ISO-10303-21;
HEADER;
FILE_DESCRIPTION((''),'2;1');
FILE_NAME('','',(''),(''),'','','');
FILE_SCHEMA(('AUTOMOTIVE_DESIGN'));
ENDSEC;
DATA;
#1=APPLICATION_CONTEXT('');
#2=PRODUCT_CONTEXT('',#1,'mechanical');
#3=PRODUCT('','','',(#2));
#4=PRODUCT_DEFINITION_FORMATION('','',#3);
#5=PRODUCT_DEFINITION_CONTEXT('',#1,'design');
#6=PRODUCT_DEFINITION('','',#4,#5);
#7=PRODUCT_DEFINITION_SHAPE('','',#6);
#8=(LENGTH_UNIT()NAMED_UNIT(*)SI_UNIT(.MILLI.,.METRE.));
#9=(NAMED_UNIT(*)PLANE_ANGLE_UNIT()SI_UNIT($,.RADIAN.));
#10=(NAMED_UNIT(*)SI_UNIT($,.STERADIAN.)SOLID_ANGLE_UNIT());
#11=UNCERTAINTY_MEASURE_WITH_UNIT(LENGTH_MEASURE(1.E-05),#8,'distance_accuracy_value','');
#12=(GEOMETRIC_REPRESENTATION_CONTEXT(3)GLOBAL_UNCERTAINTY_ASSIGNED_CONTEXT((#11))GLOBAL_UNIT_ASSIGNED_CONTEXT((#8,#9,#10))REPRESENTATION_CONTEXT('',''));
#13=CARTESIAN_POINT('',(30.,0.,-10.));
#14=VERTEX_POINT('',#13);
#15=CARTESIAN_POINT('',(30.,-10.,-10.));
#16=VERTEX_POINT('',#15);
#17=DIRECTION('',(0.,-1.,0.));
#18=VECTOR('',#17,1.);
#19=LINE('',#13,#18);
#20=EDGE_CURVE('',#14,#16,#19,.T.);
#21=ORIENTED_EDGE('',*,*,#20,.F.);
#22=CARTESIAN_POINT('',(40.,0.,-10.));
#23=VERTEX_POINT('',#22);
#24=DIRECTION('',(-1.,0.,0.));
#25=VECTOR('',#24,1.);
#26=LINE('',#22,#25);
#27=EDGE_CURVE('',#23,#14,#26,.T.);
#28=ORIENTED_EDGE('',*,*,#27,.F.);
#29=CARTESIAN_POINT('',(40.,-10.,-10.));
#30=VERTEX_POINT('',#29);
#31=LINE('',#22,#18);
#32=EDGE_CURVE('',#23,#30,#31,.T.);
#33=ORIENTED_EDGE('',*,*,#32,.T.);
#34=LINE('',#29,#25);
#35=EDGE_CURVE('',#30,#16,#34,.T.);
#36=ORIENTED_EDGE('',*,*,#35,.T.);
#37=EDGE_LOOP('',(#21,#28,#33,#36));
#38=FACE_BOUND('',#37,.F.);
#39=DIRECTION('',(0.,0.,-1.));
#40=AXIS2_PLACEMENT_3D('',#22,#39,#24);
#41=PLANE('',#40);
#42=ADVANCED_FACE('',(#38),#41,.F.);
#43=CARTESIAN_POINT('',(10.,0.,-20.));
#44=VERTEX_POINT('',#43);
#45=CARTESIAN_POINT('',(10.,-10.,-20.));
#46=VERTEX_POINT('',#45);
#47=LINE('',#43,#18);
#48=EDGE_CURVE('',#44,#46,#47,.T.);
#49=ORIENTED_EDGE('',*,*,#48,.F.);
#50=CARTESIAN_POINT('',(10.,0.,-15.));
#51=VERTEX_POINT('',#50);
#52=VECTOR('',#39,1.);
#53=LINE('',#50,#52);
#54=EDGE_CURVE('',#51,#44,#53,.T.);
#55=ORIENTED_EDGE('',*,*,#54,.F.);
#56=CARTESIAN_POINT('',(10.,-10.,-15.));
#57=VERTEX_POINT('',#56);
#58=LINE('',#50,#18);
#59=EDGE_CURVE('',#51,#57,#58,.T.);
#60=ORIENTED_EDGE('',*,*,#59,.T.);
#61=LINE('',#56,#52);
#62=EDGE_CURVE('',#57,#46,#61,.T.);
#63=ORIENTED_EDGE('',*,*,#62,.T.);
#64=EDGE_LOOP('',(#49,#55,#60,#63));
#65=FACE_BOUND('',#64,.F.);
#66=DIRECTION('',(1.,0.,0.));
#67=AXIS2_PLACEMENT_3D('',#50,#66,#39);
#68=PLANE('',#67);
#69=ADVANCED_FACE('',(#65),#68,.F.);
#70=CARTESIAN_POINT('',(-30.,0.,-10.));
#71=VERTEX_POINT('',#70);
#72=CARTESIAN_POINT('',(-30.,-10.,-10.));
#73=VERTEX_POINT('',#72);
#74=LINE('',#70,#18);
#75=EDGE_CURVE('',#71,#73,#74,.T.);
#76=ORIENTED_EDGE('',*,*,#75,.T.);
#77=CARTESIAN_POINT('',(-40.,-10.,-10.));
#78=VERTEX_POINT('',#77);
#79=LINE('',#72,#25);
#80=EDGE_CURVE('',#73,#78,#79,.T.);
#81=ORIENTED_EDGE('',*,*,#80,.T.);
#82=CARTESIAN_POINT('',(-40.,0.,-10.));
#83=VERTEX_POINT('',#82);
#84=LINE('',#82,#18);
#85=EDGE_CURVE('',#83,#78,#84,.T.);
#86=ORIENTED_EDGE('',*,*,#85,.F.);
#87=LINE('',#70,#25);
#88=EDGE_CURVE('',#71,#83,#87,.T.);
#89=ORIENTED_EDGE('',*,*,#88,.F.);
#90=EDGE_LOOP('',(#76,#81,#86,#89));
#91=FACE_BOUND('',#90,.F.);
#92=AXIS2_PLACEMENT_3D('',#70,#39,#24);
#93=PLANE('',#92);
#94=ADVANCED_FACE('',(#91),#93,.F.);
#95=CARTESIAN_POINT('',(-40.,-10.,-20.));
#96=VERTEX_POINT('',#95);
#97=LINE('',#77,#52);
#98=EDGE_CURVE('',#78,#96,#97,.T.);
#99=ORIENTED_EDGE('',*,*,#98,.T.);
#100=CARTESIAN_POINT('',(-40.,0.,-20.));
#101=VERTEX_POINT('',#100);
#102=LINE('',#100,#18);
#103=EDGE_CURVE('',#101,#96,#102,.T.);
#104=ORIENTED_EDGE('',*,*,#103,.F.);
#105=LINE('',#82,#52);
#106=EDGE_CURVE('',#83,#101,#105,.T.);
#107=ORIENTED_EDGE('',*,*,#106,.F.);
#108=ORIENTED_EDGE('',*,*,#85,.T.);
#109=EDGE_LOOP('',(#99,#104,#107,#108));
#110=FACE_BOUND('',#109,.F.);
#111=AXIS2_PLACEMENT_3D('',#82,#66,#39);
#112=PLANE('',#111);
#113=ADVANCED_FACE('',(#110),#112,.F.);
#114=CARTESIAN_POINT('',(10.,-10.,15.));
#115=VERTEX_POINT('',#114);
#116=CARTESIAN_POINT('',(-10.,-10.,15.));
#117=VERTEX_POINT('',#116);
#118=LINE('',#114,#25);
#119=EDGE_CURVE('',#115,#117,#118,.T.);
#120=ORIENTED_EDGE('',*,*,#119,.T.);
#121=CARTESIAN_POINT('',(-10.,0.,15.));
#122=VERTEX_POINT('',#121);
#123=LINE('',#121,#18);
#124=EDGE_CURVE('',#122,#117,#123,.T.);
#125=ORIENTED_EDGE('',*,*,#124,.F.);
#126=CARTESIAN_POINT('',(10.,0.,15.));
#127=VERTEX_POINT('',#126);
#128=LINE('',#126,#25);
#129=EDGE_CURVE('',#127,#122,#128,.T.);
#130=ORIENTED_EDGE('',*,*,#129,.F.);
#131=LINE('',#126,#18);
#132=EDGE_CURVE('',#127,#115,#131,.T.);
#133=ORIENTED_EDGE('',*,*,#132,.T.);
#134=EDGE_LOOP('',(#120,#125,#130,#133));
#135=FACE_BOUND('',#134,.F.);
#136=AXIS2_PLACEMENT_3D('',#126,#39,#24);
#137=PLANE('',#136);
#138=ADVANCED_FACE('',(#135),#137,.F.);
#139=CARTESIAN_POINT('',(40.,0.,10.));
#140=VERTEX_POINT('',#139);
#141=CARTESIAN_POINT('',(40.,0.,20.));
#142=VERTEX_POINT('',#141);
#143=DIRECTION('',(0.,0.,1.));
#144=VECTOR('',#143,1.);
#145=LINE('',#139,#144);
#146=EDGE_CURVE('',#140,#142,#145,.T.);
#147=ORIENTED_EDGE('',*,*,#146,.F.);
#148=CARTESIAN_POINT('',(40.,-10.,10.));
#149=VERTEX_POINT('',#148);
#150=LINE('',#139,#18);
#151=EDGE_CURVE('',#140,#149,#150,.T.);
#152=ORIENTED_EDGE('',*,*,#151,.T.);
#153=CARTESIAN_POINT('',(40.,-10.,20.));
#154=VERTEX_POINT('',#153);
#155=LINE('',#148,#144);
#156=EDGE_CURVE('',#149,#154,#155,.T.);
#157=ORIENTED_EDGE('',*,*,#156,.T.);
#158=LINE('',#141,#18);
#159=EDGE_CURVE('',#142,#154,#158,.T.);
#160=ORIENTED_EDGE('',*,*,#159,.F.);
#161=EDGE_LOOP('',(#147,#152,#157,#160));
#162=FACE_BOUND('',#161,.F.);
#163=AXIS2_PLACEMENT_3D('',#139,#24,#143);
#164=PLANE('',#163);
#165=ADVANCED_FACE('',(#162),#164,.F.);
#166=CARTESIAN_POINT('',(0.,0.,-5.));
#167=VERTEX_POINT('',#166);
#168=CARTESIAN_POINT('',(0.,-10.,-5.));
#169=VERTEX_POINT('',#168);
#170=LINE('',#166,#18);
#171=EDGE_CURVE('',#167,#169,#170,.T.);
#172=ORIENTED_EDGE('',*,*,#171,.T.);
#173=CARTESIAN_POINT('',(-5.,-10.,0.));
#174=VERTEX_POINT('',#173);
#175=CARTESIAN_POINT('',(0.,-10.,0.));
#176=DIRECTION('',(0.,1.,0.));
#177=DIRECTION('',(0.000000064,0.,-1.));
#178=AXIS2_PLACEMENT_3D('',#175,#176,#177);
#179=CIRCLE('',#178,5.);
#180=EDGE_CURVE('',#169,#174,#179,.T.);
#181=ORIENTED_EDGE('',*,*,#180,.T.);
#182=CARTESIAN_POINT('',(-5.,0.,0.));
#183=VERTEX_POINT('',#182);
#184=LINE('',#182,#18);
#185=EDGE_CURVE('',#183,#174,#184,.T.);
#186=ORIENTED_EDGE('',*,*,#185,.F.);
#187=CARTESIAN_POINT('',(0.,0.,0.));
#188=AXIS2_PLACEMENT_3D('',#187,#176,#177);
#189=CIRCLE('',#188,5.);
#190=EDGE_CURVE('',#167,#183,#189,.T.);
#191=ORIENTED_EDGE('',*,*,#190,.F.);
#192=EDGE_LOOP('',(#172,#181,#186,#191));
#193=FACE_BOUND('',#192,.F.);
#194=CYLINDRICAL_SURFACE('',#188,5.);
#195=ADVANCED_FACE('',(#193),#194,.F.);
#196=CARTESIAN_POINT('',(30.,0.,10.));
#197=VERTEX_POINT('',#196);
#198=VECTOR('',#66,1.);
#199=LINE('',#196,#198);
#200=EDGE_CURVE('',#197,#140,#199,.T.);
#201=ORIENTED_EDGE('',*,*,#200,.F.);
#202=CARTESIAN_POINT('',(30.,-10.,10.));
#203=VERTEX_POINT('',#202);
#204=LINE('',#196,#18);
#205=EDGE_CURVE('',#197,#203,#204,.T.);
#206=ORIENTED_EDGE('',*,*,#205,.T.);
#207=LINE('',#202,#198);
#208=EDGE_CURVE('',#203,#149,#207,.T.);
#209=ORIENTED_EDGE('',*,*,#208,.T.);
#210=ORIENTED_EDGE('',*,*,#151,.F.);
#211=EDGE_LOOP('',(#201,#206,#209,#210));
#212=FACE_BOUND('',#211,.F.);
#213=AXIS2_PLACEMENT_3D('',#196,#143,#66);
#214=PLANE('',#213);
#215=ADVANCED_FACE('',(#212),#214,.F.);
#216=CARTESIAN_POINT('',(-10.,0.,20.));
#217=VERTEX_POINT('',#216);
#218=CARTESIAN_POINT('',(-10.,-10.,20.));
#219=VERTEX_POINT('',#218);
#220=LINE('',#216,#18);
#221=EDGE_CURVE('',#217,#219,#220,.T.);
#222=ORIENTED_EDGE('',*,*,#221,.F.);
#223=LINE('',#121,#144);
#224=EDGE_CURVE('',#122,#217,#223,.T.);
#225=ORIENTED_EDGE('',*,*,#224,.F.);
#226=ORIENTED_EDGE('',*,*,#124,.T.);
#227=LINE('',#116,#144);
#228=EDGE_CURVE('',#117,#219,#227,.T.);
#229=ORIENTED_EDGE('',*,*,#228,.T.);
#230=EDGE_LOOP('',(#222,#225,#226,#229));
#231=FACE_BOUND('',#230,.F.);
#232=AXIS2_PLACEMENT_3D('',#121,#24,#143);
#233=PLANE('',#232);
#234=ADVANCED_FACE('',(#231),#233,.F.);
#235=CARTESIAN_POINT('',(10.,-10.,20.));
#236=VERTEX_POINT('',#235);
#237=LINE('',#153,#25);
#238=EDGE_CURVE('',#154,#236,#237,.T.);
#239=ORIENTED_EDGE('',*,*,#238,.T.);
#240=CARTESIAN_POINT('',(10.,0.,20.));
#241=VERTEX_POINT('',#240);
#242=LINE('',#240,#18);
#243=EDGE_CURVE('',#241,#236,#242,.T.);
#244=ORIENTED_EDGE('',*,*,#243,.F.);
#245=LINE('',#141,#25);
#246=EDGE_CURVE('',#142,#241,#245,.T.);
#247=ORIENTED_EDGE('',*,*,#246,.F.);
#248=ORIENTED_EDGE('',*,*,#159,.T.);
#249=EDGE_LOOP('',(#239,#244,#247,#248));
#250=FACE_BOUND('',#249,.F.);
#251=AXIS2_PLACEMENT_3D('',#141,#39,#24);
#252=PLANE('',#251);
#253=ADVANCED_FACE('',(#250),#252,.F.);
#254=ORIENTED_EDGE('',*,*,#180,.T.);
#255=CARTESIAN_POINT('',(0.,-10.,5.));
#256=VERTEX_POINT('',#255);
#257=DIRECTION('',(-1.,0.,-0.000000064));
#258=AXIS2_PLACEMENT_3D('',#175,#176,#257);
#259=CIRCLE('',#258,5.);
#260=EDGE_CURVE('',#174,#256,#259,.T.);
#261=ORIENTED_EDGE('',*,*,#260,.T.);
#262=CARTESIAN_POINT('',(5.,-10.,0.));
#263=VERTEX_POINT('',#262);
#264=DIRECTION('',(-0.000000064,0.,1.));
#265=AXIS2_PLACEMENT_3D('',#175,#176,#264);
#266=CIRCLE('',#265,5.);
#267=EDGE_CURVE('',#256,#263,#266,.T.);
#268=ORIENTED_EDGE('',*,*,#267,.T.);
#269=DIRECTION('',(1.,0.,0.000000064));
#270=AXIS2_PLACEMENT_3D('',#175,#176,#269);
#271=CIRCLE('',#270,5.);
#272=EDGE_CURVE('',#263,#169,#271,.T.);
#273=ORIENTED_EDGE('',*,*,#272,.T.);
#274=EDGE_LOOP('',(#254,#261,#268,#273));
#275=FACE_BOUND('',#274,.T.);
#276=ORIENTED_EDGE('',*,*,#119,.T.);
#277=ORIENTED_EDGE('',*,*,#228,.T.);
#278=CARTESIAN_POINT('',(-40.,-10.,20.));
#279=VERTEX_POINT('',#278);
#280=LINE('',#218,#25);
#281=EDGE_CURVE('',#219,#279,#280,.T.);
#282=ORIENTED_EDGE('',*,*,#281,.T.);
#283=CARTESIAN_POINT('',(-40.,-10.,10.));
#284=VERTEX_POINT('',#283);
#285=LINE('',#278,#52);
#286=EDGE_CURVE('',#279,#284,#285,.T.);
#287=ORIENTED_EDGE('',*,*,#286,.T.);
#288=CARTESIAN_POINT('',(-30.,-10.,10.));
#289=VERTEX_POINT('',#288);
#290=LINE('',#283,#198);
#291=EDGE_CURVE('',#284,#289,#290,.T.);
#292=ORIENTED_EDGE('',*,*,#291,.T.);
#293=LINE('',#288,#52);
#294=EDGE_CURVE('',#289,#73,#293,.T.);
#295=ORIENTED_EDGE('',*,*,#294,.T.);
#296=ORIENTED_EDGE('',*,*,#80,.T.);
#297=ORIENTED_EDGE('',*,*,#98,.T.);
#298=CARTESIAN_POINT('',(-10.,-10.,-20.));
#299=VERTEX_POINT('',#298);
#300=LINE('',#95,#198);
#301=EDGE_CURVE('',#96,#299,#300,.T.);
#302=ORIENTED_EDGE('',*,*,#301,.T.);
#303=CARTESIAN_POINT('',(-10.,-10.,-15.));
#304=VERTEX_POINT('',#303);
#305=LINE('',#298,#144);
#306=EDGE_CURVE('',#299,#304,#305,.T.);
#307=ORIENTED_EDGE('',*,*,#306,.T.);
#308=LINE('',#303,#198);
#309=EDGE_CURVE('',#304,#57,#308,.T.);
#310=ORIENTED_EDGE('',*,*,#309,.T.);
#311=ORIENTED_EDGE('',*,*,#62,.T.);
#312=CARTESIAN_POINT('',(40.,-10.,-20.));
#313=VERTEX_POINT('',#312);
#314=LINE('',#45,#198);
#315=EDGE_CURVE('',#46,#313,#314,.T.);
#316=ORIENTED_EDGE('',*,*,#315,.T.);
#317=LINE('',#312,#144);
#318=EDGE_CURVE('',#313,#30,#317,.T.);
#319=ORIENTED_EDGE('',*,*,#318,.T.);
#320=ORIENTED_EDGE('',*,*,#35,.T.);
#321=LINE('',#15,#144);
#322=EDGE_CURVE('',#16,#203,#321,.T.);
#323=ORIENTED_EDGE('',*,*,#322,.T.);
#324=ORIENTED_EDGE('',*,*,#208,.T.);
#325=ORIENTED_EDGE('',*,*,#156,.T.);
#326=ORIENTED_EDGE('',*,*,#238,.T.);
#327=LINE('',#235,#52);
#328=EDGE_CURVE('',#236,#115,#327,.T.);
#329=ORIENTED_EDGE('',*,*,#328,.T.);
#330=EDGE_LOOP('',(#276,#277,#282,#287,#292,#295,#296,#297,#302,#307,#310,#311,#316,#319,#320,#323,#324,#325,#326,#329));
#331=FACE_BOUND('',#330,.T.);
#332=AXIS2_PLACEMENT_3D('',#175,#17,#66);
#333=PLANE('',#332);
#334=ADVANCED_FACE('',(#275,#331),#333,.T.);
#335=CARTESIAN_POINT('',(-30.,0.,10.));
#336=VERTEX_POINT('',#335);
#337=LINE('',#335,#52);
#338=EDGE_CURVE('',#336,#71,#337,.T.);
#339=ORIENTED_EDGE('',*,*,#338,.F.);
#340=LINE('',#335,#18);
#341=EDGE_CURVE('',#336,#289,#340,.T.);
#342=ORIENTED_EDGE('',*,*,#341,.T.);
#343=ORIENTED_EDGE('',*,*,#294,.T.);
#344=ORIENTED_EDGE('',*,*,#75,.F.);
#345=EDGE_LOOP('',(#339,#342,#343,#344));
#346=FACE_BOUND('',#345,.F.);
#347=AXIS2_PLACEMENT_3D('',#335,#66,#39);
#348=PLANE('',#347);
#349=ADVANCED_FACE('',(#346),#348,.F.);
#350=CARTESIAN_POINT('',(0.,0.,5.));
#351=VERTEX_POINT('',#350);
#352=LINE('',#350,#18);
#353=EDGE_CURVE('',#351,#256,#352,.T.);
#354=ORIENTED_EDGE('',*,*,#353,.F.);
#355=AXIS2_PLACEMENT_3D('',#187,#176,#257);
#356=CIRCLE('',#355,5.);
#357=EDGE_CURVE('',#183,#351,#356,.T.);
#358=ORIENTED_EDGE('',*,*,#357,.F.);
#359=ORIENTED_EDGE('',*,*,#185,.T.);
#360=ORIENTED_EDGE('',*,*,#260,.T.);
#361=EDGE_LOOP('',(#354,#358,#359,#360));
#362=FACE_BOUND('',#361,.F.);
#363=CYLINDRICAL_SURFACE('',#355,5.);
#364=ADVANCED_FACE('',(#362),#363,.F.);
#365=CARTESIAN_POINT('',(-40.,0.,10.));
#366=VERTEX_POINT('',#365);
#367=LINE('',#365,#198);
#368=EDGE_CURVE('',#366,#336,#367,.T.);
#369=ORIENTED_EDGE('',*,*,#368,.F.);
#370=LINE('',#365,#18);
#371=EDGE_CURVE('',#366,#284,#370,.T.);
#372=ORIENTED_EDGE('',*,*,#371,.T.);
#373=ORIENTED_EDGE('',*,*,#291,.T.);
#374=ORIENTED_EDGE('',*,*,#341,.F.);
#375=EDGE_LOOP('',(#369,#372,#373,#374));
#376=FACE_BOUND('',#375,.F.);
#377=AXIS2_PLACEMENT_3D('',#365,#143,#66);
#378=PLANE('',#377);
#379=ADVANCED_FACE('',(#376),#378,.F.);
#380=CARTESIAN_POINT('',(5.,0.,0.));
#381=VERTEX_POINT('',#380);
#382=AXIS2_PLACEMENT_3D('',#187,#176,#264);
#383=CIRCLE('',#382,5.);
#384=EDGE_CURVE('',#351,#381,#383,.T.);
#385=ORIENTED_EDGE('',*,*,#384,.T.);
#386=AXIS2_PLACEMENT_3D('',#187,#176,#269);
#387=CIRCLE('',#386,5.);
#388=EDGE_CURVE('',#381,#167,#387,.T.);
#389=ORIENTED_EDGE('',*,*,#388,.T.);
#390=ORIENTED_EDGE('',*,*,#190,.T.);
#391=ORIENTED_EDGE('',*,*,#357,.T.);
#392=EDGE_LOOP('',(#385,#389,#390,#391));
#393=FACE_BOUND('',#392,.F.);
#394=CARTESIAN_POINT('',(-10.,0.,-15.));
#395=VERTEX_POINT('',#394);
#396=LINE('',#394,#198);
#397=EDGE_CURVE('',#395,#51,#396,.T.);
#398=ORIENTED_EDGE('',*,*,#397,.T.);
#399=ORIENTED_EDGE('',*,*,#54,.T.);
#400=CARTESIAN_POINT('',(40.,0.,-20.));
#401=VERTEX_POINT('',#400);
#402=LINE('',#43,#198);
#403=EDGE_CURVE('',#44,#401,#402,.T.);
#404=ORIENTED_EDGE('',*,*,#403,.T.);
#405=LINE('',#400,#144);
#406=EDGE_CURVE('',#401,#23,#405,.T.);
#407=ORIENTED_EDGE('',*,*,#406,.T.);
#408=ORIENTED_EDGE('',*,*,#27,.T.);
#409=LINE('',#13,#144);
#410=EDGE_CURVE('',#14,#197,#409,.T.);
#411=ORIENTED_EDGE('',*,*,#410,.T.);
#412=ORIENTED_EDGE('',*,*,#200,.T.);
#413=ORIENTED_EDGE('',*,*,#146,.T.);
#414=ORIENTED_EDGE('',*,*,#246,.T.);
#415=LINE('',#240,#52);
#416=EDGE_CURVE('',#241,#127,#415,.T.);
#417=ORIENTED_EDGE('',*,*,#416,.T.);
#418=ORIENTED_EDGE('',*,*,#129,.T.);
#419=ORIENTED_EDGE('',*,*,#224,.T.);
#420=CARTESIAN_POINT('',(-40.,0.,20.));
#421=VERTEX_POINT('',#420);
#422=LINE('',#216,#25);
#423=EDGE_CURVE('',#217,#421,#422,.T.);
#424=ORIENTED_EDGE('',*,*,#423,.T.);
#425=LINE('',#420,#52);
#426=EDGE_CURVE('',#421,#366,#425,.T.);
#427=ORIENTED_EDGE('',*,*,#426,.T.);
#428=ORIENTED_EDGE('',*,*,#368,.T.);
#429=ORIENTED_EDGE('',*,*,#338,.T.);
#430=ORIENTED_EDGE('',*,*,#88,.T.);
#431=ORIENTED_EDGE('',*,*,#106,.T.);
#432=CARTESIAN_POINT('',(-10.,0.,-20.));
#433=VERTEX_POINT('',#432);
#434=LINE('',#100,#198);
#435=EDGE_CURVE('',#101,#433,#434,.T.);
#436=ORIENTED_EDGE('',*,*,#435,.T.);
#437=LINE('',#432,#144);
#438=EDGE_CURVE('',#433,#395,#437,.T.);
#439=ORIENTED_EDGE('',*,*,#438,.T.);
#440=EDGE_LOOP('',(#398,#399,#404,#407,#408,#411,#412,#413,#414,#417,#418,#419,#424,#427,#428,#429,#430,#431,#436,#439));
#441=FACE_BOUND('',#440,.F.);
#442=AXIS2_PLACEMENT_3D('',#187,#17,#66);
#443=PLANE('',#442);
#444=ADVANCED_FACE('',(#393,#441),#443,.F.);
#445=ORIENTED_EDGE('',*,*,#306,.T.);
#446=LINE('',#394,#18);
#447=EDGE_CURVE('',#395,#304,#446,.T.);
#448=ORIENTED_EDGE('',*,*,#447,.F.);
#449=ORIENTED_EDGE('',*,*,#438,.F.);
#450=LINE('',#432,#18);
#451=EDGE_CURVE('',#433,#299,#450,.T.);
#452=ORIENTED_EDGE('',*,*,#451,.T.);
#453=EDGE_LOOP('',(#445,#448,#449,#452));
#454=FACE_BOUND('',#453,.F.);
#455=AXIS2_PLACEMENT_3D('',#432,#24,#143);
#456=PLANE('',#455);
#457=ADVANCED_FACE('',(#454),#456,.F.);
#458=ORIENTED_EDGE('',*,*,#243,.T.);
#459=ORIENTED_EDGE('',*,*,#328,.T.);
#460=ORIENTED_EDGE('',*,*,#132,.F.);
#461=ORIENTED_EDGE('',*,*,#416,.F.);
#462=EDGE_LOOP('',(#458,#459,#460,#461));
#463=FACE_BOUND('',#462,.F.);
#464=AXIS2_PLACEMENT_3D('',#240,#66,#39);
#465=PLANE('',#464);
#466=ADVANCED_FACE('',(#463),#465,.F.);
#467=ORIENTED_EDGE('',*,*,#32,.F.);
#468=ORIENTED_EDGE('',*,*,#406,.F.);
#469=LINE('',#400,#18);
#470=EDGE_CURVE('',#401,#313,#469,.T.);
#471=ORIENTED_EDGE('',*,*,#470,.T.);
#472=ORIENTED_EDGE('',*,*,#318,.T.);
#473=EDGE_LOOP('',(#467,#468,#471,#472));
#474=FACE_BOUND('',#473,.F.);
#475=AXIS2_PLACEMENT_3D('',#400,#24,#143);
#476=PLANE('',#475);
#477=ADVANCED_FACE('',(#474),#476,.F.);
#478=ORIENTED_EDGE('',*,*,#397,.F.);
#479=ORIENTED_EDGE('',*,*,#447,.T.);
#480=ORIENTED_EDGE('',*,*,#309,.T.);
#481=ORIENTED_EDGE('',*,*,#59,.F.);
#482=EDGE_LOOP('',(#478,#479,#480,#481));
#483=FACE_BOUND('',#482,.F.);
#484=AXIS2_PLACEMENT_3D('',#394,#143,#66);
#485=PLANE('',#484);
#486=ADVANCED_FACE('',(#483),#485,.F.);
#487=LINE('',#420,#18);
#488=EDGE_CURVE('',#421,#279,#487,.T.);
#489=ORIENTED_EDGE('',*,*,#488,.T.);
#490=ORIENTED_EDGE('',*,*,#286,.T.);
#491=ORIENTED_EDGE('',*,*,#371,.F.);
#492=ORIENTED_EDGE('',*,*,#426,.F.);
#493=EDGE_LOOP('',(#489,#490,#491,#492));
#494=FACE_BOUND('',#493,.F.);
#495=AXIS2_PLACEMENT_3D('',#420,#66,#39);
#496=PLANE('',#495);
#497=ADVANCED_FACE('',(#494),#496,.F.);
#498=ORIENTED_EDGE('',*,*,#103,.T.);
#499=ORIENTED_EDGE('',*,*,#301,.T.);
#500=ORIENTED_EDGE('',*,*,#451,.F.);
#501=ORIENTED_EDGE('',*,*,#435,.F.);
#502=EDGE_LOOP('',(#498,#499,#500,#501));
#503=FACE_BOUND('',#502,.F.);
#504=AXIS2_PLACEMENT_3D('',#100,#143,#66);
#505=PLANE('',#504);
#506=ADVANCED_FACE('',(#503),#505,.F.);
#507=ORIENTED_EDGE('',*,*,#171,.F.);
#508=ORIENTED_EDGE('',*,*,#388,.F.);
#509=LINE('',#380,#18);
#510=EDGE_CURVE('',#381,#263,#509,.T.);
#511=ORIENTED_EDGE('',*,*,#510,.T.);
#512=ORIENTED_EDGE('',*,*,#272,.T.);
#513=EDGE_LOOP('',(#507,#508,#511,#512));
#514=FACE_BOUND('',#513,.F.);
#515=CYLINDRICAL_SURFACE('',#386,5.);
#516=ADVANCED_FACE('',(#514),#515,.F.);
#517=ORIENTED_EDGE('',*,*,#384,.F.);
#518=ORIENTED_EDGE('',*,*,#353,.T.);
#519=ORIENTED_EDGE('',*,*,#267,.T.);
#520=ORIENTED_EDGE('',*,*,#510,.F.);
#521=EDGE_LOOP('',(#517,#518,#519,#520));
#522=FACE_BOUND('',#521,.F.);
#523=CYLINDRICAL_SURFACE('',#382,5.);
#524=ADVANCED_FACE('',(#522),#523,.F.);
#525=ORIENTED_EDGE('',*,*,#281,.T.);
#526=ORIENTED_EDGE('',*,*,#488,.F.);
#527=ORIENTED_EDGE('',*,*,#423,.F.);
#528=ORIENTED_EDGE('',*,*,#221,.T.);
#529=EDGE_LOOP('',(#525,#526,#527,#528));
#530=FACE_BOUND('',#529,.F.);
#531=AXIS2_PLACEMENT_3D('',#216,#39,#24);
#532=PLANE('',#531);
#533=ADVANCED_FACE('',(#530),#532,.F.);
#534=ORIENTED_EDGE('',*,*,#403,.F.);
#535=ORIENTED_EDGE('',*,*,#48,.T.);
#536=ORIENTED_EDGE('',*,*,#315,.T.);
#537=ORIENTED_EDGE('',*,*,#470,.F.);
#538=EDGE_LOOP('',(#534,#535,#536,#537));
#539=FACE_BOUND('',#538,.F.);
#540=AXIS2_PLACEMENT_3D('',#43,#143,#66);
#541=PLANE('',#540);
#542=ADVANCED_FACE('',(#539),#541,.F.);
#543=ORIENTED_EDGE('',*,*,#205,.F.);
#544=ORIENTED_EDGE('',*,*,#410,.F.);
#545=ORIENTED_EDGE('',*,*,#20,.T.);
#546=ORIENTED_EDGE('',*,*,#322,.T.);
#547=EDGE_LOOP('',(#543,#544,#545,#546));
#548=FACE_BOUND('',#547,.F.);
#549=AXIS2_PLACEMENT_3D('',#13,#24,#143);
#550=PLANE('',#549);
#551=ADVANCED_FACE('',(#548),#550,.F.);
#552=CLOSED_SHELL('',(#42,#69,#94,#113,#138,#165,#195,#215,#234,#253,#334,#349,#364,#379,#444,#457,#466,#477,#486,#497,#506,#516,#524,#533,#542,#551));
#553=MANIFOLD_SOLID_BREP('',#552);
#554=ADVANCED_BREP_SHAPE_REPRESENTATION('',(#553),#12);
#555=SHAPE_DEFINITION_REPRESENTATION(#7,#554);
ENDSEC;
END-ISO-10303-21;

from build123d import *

# Parameters (mm, degrees)
F1_DEPTH = 10


with BuildPart() as f1:
    # F0 (on Front) → F1 (new body)
    with BuildSketch(Plane.XZ):
        Polygon((30, -10), (30, 0), (30, 10), (40, 10), (40, 20), (10, 20), (10, 15), (0, 15), (-10, 15), (-10, 20), (-40, 20), (-40, 10), (-30, 10), (-30, 0), (-30, -10), (-40, -10), (-40, -20), (-10, -20), (-10, -15), (0, -15), (10, -15), (10, -20), (40, -20), (40, -10), align=None)
        with BuildLine():
            ThreePointArc((0, 5), (3.535534, 3.535534), (5, 0))
            ThreePointArc((5, 0), (3.535534, -3.535534), (0, -5))
            ThreePointArc((0, -5), (-3.535534, -3.535534), (-5, 0))
            ThreePointArc((-5, 0), (-3.535534, 3.535534), (0, 5))
        make_face(mode=Mode.SUBTRACT)
    extrude(amount=F1_DEPTH)


solid = f1.part
